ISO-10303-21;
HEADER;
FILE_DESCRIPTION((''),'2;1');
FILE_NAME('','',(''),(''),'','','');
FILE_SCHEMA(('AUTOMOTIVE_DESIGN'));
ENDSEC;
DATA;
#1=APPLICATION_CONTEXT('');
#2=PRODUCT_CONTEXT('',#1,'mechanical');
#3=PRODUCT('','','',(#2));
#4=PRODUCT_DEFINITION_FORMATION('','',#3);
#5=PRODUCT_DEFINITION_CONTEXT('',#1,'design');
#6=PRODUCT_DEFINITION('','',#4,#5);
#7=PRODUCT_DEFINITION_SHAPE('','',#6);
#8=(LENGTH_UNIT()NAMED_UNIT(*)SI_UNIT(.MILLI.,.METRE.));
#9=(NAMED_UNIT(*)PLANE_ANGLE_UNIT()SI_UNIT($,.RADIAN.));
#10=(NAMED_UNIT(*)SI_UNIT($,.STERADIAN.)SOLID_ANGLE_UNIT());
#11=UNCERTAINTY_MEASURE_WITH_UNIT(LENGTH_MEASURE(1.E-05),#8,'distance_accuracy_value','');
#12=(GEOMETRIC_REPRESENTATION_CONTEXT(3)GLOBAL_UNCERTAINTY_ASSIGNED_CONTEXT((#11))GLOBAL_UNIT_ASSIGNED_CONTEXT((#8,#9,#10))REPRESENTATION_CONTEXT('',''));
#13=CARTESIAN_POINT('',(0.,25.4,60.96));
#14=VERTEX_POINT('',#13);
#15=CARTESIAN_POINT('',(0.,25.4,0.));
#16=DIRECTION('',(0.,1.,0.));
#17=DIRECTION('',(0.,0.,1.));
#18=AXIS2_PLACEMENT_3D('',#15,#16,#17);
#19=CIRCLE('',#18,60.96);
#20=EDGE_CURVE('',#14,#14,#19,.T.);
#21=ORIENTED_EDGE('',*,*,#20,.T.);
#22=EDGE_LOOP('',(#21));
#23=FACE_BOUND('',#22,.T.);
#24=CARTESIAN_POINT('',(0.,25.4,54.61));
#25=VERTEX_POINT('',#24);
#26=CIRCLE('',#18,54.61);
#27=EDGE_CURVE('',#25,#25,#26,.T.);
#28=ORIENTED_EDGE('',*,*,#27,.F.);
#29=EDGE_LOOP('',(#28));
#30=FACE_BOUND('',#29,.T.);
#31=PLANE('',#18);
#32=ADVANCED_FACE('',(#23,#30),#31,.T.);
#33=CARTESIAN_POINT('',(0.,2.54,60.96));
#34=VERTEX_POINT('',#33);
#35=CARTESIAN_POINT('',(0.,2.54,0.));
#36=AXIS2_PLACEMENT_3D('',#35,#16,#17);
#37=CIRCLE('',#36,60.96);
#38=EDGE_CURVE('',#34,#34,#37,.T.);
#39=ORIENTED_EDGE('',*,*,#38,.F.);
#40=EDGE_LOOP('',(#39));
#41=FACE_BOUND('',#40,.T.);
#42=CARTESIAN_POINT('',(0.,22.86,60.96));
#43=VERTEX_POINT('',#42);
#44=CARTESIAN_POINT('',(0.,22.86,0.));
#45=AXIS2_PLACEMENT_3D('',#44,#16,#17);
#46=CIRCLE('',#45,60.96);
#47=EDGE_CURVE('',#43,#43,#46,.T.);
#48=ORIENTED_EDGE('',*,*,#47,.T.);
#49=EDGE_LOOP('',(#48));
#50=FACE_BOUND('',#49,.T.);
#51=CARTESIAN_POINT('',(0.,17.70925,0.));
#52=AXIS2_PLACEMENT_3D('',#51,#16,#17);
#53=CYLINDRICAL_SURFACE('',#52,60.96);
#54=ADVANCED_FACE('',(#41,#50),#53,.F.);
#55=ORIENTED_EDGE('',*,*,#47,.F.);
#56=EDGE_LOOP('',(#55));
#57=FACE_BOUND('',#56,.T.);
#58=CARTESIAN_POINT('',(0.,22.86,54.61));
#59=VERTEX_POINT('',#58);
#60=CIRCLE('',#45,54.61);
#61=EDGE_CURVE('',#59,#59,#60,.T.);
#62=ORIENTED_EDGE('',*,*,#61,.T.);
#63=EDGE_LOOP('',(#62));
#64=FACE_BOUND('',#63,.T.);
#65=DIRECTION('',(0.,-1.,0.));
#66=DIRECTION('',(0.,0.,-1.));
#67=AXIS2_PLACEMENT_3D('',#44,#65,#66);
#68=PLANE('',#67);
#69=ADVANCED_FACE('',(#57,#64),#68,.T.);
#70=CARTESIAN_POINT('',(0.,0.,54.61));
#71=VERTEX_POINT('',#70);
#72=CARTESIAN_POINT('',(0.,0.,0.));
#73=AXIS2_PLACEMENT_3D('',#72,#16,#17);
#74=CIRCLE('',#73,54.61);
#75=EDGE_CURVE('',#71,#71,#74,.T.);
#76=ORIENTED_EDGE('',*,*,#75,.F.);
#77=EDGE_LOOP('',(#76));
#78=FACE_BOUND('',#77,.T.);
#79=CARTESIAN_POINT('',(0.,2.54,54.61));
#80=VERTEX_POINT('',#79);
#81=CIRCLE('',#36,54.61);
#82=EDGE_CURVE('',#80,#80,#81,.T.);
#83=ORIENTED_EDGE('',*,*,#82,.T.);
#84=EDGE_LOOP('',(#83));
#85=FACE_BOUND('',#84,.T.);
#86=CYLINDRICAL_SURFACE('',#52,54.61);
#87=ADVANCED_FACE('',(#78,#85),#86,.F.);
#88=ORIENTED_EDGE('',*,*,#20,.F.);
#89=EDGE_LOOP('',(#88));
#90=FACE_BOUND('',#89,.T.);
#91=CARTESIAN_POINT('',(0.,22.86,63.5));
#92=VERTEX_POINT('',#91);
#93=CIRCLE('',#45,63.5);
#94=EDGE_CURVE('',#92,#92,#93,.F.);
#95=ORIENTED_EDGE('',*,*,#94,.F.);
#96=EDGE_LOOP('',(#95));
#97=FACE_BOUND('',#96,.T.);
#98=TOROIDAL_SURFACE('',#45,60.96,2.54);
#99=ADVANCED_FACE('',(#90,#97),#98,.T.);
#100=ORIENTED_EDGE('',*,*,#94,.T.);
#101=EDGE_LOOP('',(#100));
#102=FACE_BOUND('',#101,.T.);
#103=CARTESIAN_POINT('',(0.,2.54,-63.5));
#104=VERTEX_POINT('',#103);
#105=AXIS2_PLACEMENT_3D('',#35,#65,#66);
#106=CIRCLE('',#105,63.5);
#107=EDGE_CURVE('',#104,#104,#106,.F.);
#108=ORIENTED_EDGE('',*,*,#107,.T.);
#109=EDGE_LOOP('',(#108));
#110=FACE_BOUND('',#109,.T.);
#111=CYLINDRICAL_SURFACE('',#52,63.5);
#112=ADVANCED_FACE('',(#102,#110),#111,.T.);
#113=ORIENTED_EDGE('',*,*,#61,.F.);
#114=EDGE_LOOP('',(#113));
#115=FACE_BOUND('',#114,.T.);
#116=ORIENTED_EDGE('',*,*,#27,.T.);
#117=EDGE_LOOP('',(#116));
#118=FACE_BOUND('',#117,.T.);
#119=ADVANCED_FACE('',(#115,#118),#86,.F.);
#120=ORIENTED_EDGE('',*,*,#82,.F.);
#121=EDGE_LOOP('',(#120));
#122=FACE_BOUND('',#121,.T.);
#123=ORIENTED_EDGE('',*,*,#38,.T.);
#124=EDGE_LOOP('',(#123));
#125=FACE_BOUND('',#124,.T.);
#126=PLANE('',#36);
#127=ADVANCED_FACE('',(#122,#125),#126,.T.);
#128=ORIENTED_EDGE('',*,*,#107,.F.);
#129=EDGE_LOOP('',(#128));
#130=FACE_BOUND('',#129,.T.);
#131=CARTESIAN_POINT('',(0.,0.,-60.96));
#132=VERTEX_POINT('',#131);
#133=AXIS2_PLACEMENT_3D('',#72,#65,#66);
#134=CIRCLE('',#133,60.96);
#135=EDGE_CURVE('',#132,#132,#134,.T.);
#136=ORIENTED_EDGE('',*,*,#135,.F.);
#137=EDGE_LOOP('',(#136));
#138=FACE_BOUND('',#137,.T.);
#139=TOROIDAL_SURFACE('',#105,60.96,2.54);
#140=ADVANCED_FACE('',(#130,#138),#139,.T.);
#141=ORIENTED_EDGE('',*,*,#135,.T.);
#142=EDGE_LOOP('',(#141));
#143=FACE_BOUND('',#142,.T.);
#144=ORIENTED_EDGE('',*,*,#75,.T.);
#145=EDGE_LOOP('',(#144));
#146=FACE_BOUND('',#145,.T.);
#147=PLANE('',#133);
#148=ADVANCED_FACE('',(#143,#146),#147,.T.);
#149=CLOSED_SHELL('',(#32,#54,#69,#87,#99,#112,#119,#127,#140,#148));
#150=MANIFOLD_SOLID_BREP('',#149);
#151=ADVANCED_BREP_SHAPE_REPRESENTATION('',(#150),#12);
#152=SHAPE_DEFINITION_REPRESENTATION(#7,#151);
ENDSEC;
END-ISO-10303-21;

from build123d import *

# Parameters (mm, degrees)
FILLET1_R = 2.54


with BuildPart() as part:
    # Sketch1 → Revolve1 (revolve)
    with BuildSketch(Plane.XY, mode=Mode.PRIVATE) as revolve1_sk:
        Polygon((-54.61, 25.4), (-63.5, 25.4), (-63.5, 0), (-54.61, 0), (-54.61, 2.54), (-60.96, 2.54), (-60.96, 22.86), (-54.61, 22.86), align=None)
    revolve(revolve1_sk.sketch.rotate(Axis((0, 17.70925012, 0), (0, -1, 0)), 270), axis=Axis((0, 17.70925012, 0), (0, -1, 0)))

    # Fillet1
    fillet1_edges = [part.edges().sort_by_distance(p)[0] for p in [
        (0, 0, -63.5),
        (0, 25.4, -63.5),
    ]]
    fillet(fillet1_edges, radius=FILLET1_R)


solid = part.part
